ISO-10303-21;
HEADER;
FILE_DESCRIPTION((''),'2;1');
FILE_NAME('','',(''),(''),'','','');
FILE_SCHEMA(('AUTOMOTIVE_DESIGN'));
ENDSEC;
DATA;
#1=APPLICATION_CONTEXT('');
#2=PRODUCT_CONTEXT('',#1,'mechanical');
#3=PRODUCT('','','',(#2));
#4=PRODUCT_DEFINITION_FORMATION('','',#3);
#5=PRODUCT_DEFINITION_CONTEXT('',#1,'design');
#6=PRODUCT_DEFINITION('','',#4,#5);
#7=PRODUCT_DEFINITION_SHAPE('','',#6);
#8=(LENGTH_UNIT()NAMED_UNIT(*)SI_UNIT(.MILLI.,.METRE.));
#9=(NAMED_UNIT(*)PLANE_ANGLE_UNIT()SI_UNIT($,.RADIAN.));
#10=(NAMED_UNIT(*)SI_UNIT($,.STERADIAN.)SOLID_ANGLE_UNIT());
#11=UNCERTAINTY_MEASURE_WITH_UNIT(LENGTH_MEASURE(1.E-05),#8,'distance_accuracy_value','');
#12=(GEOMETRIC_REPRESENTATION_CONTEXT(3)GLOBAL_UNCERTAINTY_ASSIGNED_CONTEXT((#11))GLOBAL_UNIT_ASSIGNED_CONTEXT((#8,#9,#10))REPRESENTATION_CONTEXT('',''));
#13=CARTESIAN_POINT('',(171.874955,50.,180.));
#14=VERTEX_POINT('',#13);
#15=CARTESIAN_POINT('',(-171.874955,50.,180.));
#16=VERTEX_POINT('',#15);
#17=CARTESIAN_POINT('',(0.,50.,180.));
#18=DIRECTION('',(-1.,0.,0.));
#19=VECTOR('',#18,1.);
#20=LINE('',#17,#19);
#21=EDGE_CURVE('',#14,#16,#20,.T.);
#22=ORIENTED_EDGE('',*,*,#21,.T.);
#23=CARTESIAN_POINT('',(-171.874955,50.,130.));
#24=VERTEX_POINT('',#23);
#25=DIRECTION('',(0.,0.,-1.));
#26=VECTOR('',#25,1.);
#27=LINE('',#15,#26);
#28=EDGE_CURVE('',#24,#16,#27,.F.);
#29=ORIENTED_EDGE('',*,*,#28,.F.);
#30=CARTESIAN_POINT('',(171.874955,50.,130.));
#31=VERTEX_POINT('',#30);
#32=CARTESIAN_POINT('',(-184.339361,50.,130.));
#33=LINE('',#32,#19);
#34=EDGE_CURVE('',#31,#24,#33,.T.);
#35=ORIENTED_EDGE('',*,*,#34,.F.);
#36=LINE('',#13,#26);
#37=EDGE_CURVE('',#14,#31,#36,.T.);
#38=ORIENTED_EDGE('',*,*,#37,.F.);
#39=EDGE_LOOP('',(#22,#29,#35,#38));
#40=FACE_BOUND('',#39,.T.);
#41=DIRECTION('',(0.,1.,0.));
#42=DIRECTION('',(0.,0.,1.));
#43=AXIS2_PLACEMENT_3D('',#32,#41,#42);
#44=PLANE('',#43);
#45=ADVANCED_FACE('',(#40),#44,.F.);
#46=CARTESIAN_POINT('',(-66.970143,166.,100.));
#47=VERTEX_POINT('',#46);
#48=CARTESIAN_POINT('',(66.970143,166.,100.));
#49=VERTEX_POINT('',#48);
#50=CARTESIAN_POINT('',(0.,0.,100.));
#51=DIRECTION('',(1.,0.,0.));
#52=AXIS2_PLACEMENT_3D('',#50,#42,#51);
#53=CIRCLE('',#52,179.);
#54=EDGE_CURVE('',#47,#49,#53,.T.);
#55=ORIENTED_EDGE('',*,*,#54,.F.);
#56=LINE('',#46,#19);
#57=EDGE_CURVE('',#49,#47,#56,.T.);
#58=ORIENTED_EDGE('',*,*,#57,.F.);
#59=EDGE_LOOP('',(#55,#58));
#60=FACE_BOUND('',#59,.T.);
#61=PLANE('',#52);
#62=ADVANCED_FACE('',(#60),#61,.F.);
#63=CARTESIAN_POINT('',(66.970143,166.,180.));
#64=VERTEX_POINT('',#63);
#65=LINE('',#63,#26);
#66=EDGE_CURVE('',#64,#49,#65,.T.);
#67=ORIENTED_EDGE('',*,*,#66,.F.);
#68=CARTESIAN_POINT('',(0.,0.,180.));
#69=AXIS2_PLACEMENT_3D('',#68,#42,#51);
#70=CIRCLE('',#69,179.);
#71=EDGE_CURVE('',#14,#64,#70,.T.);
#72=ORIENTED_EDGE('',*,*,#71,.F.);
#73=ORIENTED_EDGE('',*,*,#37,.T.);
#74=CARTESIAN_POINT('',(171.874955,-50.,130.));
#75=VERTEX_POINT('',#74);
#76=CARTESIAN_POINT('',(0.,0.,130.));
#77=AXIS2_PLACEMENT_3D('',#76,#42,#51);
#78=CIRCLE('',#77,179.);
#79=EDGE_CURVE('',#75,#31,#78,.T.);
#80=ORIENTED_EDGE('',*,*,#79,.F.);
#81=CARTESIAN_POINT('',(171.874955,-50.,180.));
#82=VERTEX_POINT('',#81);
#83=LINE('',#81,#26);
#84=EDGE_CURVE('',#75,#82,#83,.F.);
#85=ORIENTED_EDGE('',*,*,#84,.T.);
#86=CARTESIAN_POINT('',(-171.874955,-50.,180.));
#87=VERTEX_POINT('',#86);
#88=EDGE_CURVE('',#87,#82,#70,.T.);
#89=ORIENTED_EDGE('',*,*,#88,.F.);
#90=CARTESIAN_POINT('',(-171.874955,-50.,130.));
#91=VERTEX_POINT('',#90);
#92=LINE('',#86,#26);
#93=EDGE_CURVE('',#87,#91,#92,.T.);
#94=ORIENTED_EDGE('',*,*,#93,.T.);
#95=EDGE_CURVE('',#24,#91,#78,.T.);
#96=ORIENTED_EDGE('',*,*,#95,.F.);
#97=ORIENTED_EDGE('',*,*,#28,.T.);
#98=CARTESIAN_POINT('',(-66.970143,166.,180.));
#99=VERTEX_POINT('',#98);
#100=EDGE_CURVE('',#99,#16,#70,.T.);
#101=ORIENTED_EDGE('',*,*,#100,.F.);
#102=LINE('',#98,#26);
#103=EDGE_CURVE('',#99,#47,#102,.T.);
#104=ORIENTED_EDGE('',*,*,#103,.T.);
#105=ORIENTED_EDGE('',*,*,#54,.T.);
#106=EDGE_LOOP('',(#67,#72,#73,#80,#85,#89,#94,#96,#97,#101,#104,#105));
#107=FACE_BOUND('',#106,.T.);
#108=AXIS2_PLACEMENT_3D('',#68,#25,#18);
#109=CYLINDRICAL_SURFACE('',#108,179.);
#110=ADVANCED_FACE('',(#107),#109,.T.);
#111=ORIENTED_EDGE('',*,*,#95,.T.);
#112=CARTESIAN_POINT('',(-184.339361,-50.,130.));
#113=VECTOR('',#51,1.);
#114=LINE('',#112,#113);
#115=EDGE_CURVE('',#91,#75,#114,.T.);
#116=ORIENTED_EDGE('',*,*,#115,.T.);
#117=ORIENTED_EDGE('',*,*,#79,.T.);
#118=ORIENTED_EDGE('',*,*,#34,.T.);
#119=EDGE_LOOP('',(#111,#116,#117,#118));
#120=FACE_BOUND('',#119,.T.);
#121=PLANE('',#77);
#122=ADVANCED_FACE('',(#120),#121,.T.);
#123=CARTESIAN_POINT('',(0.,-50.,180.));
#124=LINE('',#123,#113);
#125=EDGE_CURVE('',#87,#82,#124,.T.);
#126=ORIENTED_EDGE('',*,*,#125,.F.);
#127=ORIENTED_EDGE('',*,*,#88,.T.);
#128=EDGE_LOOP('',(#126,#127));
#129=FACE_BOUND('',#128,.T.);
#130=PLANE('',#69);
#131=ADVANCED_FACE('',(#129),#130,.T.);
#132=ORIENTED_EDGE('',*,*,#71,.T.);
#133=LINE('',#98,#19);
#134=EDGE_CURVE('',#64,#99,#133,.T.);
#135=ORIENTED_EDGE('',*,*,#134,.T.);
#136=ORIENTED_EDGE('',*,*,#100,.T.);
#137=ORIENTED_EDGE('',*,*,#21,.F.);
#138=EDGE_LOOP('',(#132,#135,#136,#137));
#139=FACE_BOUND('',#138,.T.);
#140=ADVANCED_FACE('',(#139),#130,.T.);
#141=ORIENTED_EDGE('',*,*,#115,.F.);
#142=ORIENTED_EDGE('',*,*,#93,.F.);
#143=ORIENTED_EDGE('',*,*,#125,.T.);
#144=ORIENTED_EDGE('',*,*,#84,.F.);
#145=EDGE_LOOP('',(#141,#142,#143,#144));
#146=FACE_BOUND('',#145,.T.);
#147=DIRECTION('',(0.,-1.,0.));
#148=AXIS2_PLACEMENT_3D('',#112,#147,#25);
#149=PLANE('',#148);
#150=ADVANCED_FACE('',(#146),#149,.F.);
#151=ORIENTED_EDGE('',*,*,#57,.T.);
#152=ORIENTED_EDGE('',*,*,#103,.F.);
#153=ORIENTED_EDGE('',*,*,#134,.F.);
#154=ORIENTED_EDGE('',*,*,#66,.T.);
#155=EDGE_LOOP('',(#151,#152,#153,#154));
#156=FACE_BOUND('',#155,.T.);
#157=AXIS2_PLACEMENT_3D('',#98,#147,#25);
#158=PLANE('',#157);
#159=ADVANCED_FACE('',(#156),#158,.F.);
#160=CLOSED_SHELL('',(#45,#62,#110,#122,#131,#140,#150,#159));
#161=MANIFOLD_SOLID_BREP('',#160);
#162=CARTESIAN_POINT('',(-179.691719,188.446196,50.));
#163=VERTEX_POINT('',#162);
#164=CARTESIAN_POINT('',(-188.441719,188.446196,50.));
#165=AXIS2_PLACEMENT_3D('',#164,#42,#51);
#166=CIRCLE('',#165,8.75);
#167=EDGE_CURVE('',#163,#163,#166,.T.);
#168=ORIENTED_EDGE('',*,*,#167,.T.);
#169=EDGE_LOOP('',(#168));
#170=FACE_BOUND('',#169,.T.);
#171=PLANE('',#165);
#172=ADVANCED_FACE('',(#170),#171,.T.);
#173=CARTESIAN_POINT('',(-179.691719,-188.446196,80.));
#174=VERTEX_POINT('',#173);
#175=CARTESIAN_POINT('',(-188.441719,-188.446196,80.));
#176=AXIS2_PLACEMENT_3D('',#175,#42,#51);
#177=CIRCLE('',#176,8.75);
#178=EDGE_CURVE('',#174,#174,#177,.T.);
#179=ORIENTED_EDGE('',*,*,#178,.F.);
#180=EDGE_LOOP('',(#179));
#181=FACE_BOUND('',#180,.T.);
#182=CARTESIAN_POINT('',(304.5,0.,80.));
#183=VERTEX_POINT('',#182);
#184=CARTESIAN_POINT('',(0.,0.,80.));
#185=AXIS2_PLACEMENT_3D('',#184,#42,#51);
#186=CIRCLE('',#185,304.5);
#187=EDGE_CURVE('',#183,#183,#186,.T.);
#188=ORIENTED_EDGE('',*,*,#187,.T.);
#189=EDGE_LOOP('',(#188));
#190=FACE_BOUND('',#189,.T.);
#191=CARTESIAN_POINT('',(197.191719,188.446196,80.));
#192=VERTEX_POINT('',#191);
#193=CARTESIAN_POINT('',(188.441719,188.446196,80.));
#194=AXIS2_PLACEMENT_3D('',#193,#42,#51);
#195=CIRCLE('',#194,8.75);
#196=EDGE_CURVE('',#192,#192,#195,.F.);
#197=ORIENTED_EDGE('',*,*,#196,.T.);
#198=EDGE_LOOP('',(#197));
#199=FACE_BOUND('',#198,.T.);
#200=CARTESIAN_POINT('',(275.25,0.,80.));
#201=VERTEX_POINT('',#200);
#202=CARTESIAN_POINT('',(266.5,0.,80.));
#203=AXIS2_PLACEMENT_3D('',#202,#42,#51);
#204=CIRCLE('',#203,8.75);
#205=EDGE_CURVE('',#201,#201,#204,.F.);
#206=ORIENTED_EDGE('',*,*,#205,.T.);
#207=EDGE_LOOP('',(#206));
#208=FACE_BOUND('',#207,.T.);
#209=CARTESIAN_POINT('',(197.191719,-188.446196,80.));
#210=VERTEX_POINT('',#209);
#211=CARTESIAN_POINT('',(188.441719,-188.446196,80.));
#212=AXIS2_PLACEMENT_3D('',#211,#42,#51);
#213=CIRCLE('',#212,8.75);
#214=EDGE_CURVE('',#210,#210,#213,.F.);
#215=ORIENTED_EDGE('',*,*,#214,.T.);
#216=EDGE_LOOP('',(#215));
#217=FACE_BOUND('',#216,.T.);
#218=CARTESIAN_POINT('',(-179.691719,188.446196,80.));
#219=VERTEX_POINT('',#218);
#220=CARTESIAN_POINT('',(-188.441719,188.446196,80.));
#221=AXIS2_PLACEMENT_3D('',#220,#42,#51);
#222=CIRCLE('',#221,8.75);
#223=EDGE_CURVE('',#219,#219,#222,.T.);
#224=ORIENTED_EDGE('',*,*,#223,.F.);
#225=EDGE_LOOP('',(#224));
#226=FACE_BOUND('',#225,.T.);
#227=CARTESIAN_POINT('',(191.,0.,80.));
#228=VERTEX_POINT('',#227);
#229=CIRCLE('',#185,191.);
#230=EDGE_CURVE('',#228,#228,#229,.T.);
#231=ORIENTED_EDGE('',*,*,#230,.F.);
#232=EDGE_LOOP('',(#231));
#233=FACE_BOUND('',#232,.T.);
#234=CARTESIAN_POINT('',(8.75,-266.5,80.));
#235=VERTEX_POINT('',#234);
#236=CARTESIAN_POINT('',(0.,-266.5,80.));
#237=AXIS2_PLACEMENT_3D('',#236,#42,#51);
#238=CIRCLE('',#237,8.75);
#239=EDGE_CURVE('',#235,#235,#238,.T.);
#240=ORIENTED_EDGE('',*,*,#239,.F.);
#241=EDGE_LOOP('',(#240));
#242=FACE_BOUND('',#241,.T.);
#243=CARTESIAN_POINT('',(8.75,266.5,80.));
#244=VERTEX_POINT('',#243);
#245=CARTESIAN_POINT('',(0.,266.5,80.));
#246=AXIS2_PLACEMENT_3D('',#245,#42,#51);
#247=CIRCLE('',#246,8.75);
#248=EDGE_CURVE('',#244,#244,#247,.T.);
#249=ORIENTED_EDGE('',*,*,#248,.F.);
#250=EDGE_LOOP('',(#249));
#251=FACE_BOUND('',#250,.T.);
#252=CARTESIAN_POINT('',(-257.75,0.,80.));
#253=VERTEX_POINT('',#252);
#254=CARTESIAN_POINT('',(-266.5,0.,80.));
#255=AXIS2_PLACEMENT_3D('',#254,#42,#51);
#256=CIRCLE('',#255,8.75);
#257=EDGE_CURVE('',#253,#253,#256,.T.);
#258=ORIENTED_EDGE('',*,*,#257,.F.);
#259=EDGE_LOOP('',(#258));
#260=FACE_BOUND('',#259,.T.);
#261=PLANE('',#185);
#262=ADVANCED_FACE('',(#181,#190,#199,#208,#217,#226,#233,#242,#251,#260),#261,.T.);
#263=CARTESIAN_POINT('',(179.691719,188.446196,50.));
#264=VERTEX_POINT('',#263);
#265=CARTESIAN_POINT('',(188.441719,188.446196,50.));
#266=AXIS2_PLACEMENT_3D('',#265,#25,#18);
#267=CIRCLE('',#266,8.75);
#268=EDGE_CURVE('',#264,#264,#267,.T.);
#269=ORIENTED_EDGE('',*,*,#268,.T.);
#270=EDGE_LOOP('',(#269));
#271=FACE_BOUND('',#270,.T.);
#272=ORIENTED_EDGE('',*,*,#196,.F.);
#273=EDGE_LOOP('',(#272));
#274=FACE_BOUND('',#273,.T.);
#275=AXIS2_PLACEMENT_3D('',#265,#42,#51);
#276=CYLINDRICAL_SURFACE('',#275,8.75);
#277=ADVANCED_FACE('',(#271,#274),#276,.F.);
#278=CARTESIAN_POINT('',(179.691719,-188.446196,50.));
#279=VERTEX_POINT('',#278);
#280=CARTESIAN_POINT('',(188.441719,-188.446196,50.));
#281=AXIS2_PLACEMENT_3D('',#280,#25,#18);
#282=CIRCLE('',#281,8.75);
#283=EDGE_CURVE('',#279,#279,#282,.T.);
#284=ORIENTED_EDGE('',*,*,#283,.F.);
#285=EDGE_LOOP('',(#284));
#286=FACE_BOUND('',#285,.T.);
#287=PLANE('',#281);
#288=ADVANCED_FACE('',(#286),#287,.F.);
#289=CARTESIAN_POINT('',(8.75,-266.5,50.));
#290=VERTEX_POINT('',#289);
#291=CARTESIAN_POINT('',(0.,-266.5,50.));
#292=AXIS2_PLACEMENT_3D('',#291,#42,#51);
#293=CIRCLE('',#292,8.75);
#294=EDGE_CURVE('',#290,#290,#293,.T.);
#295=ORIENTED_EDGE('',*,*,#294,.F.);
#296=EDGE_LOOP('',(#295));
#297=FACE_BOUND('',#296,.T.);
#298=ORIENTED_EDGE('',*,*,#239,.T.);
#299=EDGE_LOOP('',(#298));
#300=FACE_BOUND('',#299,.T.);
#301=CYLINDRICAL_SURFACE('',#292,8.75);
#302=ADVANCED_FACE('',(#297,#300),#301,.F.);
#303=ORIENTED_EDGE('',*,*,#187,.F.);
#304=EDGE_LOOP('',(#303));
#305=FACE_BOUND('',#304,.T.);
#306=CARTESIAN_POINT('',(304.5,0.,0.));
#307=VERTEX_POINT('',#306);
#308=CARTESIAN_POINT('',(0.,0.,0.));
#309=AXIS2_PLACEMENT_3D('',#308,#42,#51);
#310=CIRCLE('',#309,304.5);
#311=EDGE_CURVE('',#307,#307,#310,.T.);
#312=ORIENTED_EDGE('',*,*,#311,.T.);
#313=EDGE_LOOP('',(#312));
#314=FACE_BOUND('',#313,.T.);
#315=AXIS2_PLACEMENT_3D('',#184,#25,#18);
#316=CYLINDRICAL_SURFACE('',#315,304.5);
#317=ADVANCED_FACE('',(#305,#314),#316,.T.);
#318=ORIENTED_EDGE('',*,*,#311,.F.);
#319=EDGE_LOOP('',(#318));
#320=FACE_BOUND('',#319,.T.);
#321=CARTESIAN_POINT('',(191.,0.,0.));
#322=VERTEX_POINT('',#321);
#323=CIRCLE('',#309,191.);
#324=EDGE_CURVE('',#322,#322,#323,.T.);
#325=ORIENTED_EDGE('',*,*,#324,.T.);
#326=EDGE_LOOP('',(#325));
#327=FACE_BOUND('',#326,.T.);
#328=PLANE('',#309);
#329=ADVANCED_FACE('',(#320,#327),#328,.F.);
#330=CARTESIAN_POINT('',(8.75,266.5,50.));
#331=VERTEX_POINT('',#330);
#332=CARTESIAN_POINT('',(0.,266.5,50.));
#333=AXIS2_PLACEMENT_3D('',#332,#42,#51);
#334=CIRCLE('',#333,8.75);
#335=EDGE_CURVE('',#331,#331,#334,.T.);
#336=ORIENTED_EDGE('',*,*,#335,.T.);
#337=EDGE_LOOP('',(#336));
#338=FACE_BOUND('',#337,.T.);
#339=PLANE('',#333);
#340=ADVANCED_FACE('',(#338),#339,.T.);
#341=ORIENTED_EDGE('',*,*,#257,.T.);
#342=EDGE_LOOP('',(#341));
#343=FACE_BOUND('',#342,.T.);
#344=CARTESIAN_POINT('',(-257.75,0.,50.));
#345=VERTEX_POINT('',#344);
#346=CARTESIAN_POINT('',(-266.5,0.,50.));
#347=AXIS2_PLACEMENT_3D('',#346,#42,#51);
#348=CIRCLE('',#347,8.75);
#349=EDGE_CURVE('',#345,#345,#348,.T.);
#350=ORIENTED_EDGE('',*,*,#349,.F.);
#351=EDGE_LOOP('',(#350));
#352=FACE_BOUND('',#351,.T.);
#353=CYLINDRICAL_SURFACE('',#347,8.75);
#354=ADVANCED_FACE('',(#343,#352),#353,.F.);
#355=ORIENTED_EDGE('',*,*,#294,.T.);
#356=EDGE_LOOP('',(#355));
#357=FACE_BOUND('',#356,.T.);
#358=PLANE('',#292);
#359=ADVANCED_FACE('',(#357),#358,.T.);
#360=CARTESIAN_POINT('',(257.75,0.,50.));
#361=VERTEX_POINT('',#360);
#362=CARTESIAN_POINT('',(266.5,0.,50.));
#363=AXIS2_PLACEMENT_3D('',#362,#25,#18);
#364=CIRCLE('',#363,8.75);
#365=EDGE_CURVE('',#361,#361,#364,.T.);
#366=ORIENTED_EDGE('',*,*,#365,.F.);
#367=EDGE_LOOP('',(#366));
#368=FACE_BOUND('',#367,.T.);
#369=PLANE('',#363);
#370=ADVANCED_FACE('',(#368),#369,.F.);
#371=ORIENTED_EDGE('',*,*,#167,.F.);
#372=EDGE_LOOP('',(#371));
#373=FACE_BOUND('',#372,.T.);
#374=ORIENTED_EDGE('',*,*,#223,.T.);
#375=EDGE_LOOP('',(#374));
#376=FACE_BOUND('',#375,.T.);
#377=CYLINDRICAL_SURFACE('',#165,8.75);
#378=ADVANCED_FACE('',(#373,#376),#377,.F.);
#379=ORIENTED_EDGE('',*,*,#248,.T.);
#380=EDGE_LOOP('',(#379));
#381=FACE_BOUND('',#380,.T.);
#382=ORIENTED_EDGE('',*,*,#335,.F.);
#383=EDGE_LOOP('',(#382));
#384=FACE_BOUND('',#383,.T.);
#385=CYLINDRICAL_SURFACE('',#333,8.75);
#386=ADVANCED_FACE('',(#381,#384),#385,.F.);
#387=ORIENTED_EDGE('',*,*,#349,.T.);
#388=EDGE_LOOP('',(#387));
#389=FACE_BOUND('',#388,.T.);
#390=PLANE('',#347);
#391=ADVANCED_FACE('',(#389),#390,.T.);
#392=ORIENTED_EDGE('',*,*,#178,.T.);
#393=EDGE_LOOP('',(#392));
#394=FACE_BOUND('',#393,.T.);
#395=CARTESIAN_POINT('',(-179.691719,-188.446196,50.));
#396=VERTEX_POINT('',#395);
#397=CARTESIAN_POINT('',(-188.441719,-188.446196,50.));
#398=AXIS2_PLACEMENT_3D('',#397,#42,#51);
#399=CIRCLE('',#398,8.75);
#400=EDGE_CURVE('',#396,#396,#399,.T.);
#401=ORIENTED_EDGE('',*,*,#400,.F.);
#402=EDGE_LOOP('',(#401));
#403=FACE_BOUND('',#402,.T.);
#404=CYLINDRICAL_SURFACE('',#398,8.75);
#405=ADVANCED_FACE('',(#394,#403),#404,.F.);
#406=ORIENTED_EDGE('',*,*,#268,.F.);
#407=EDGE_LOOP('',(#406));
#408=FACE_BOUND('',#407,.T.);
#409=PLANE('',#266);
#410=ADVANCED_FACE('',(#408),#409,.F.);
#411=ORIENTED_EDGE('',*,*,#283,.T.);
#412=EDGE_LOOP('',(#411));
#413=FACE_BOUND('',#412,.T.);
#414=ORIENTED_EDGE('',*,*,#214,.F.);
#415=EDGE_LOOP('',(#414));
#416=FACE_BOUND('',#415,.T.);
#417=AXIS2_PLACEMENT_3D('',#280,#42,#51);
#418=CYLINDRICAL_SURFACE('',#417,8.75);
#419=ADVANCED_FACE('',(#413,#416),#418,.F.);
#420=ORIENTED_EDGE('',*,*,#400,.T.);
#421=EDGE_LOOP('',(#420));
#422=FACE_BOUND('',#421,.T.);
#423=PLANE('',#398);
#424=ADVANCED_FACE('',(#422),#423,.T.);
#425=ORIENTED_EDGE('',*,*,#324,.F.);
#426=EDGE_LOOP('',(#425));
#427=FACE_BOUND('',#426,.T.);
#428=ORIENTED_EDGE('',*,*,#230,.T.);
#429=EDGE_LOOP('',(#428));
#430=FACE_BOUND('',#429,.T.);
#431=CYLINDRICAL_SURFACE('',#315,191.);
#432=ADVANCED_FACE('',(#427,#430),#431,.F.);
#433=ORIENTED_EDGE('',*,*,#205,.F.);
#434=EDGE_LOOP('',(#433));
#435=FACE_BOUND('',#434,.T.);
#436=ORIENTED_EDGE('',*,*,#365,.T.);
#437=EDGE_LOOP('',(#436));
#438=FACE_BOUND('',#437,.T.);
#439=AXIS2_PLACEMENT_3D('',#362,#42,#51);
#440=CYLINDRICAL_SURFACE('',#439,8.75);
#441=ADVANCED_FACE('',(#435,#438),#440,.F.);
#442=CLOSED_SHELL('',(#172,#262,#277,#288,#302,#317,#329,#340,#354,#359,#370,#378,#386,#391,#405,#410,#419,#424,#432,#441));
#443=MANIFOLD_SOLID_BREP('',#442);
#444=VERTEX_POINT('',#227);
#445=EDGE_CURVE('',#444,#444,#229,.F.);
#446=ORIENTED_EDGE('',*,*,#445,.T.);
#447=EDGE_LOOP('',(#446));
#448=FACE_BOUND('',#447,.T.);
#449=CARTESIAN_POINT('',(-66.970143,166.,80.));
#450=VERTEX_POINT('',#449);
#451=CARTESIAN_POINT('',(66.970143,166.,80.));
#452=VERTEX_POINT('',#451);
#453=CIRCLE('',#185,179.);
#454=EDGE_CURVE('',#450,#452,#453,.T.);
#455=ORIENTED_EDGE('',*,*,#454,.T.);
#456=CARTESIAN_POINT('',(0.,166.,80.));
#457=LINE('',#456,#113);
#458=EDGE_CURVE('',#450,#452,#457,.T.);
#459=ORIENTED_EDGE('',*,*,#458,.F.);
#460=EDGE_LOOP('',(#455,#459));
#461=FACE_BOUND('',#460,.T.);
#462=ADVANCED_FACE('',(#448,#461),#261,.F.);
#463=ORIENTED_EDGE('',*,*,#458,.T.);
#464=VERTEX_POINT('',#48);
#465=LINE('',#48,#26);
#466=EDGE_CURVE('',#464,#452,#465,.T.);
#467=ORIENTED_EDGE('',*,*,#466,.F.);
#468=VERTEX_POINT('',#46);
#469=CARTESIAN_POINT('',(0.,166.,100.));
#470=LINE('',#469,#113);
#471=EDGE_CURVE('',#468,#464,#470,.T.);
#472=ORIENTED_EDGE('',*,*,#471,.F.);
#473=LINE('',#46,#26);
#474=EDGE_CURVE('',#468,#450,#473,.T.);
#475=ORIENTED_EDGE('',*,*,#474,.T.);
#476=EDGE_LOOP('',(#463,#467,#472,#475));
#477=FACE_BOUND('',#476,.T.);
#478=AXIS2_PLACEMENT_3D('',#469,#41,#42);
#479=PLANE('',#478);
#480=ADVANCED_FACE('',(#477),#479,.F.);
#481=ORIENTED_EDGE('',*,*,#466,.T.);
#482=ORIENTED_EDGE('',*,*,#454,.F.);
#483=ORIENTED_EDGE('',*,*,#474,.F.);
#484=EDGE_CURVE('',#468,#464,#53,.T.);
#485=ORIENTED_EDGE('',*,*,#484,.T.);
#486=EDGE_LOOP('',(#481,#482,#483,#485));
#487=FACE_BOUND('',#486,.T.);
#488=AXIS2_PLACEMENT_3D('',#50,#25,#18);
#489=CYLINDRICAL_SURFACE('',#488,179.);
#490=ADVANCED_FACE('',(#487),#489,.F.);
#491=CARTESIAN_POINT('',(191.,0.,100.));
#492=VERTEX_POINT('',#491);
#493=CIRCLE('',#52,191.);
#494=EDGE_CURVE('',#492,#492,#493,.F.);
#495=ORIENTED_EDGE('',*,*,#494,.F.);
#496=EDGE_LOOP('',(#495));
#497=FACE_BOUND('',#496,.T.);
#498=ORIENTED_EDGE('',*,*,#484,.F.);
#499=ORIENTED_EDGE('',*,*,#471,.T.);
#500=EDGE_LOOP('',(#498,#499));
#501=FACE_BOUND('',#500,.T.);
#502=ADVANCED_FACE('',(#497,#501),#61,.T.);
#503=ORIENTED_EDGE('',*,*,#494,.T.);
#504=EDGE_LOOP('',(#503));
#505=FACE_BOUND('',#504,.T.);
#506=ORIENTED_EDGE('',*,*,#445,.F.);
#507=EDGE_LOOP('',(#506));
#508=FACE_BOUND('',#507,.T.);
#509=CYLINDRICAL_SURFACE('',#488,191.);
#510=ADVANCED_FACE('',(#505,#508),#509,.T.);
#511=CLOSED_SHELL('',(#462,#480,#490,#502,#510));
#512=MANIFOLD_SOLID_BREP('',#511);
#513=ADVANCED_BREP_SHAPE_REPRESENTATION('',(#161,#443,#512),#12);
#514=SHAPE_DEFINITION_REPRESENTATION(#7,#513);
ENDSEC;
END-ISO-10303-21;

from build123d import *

# Parameters (mm, degrees)
SKETCH1_R           = 304.5
SKETCH1_R_2         = 266.5
SKETCH1_R_3         = 191
BOSS_EXTRUDE2_DEPTH = 80
SKETCH2_R           = 191
BOSS_EXTRUDE3_DEPTH = 20
BOSS_EXTRUDE4_DEPTH = 80
SKETCH4_W           = 368.678721924
SKETCH4_H           = 100
CUT_EXTRUDE1_DEPTH  = 50
SKETCH5_R           = 8.75
CUT_EXTRUDE2_DEPTH  = 130


with BuildPart() as part:
    # Sketch1 → Boss-Extrude2 (new body)
    with BuildSketch(Plane.XY):
        Circle(SKETCH1_R)
        Circle(SKETCH1_R_2, mode=Mode.SUBTRACT)
        Circle(SKETCH1_R_2)
        Circle(SKETCH1_R_3, mode=Mode.SUBTRACT)
    extrude(amount=BOSS_EXTRUDE2_DEPTH)

    # Sketch5 → Cut-Extrude2 (cut)
    with BuildSketch(Plane.XY.offset(180)):
        with Locations((-188.441718833, 188.446195513)):
            Circle(SKETCH5_R)
        with Locations((-266.5, 0)):
            Circle(SKETCH5_R)
        with Locations((-188.441718833, -188.446195513)):
            Circle(SKETCH5_R)
        with Locations((0, -266.5)):
            Circle(SKETCH5_R)
        with Locations((188.441718833, -188.446195513)):
            Circle(SKETCH5_R)
        with Locations((266.5, 0)):
            Circle(SKETCH5_R)
        with Locations((188.441718833, 188.446195513)):
            Circle(SKETCH5_R)
        with Locations((0, 266.5)):
            Circle(SKETCH5_R)
    extrude(amount=-CUT_EXTRUDE2_DEPTH, mode=Mode.SUBTRACT)


with BuildPart() as body_2:
    # Sketch2 → Boss-Extrude3 (new body)
    with BuildSketch(Plane.XY.offset(80)):
        Circle(SKETCH2_R)
        with BuildLine():
            ThreePointArc((-66.970142601, 166), (0, -179), (66.970142601, 166))
            Line((66.970142601, 166), (-66.970142601, 166))
        make_face(mode=Mode.SUBTRACT)
    extrude(amount=BOSS_EXTRUDE3_DEPTH)


with BuildPart() as body_3:
    # Sketch3 → Boss-Extrude4 (new body)
    with BuildSketch(Plane.XY.offset(100)):
        with BuildLine():
            Line((-66.970142601, 166), (66.970142601, 166))
            ThreePointArc((66.970142601, 166), (0, -179), (-66.970142601, 166))
        make_face()
    extrude(amount=BOSS_EXTRUDE4_DEPTH)

    # Sketch4 → Cut-Extrude1 (cut)
    with BuildSketch(Plane.XY.offset(180)):
        Rectangle(SKETCH4_W, SKETCH4_H)
    extrude(amount=-CUT_EXTRUDE1_DEPTH, mode=Mode.SUBTRACT)


solid = Compound([part.part, body_2.part, body_3.part])
